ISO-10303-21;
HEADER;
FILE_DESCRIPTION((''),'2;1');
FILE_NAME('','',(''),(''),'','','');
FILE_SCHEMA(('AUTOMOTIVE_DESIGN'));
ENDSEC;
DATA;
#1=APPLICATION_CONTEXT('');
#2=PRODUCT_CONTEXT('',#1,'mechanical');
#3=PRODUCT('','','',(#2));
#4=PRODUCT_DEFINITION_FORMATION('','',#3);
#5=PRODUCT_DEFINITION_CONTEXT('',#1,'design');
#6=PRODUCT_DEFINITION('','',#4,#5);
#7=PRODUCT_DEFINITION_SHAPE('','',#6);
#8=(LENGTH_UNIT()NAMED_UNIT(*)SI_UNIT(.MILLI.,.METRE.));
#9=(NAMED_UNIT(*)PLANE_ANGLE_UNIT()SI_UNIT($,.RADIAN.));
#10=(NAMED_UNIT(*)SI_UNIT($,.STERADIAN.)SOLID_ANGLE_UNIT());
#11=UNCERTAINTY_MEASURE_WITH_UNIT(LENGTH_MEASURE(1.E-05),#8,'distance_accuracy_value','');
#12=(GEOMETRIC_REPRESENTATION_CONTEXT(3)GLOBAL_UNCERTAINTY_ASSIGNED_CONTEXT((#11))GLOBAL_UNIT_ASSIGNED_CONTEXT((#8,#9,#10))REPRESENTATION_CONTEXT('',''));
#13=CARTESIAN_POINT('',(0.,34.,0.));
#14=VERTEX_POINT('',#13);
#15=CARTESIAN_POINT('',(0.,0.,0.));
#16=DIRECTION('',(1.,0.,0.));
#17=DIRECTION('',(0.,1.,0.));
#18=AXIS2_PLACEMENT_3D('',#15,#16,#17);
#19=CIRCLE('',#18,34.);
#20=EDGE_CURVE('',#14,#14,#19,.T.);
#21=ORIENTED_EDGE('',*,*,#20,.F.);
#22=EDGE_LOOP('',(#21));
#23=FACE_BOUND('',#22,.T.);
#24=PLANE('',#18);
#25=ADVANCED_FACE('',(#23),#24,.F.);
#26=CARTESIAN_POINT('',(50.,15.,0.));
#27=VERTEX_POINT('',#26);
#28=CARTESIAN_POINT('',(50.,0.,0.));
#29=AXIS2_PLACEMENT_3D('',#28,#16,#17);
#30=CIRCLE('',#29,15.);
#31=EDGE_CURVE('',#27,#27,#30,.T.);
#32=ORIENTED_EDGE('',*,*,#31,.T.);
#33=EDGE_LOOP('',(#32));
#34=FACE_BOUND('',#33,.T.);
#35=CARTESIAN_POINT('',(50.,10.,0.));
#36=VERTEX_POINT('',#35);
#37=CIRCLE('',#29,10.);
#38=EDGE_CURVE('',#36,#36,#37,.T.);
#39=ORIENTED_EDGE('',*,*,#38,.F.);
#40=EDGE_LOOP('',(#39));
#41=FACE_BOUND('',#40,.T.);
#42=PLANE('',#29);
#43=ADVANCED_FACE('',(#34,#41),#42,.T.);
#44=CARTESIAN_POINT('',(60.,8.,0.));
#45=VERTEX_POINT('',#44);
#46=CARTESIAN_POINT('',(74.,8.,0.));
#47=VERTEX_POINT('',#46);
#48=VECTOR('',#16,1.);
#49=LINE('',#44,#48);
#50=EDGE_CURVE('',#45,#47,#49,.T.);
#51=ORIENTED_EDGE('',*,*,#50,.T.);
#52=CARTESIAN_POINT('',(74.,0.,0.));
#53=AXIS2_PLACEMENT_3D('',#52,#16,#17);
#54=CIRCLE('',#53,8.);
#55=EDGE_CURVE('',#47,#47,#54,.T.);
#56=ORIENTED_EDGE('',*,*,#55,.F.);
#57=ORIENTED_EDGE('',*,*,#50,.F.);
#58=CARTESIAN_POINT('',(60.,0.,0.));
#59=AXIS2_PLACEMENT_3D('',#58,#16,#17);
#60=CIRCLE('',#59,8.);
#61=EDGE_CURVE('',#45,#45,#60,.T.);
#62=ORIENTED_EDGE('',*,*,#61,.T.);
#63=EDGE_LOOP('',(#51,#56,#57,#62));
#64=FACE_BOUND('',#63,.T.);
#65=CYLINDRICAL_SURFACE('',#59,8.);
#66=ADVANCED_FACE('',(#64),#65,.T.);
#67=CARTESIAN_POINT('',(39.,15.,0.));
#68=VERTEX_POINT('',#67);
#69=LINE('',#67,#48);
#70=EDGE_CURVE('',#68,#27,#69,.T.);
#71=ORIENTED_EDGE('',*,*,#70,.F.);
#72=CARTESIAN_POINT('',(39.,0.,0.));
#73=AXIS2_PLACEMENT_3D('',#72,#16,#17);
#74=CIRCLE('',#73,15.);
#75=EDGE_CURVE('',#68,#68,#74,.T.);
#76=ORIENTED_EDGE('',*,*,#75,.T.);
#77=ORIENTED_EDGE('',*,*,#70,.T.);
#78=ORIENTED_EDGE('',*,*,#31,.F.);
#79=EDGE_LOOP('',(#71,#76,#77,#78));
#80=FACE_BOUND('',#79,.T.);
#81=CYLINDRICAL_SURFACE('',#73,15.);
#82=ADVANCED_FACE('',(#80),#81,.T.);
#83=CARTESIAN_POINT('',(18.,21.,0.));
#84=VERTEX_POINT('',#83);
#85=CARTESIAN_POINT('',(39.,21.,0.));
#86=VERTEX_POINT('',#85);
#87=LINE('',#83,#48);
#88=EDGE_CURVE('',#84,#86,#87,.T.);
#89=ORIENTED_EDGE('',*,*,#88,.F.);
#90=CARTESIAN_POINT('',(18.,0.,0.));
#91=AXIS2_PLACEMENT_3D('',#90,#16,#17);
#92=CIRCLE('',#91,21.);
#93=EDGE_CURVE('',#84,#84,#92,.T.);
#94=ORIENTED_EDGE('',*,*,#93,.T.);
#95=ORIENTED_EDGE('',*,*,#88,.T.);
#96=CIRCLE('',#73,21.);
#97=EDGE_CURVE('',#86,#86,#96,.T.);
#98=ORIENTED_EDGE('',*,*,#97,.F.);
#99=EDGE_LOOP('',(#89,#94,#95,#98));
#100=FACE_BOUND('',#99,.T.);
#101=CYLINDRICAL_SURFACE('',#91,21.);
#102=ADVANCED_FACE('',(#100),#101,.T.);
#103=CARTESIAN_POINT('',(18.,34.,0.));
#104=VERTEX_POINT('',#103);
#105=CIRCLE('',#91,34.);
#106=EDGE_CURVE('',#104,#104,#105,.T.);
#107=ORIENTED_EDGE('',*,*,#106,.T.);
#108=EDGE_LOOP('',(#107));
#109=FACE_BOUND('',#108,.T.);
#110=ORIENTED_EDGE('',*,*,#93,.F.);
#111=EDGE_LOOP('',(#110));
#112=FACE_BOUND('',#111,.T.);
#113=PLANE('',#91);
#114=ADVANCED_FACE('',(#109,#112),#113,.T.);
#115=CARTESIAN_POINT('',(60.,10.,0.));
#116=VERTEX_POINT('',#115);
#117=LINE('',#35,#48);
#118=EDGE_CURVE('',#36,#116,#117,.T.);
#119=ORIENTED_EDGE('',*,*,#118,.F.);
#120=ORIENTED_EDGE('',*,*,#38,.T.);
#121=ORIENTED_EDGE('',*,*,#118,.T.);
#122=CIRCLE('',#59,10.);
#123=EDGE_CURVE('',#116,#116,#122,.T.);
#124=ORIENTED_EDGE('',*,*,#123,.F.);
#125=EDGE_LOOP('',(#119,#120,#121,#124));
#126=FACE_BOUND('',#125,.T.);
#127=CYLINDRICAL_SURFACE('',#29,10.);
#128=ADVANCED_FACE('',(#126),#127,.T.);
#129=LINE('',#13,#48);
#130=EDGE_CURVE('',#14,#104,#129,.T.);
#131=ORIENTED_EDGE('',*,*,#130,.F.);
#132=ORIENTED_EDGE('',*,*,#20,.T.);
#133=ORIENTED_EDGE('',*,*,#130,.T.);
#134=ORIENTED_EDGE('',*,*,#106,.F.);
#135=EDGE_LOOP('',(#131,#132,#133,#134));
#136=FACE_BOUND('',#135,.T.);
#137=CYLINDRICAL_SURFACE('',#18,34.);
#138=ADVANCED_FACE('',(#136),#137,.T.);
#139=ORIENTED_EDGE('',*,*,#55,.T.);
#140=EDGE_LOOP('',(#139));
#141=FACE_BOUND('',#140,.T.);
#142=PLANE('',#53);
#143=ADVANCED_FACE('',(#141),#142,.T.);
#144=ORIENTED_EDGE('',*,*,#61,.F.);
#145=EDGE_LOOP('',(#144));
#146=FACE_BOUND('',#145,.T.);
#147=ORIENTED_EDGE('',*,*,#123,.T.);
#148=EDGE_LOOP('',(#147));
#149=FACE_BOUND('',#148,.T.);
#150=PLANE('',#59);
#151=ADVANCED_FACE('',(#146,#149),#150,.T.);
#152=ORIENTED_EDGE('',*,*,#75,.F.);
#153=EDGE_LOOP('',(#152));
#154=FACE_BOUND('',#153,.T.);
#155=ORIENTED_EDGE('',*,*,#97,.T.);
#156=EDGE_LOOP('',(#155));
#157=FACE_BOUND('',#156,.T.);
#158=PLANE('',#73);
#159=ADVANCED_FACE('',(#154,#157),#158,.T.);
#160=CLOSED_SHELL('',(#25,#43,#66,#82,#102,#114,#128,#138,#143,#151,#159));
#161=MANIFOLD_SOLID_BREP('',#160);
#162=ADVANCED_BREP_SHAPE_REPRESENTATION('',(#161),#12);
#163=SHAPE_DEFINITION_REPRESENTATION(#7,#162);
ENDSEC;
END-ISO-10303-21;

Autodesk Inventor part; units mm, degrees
ref_plane "YZ Plane" through (0, 0, 0) normal (1, 0, 0) x (0, 1, 0)
ref_plane "XZ Plane" through (0, 0, 0) normal (0, 1, 0) x (-1, 0, 0)
ref_plane "XY Plane" through (0, 0, 0) normal (0, 0, 1) x (1, 0, 0)
sketch "Sketch1" plane through (0, 0, 0) normal (0, 0, 1) x (1, 0, 0)
  line L0 (0, 0) -> (0, 34)
  line L1 (0, 34) -> (18, 34)
  line L2 (18, 34) -> (18, 0)
  line L3 (18, 0) -> (18, 21)
  line L4 (18, 21) -> (39, 21)
  line L5 (39, 21) -> (39, 0)
  line L6 (39, 0) -> (39, 15)
  line L7 (39, 15) -> (50, 15)
  line L8 (50, 15) -> (50, 0)
  line L9 (50, 0) -> (50, 10)
  line L10 (50, 10) -> (60, 10)
  line L11 (60, 10) -> (60, 0)
  line L12 (60, 0) -> (60, 8)
  line L13 (60, 8) -> (74, 8)
  line L14 (74, 8) -> (74, 0)
  line L15 (0, 0) -> (74, 0)
  line L16 (0, 0) -> (84.2736, 0) construction
  dimension "d0" = 34
  dimension "d1" = 18
  dimension "d2" = 34
  dimension "d3" = 21
  dimension "d4" = 21
  dimension "d5" = 15
  dimension "d6" = 11
  dimension "d7" = 10
  dimension "d9" = 10
  dimension "d10" = 8
  dimension "d11" = 14
revolve "Revolution1" add sketch "Sketch1" angle 360 about axis through (0, 0, 0) along (1, 0, 0)
properties part number "5 Cilindros centrales" material "Aluminum 6061"
